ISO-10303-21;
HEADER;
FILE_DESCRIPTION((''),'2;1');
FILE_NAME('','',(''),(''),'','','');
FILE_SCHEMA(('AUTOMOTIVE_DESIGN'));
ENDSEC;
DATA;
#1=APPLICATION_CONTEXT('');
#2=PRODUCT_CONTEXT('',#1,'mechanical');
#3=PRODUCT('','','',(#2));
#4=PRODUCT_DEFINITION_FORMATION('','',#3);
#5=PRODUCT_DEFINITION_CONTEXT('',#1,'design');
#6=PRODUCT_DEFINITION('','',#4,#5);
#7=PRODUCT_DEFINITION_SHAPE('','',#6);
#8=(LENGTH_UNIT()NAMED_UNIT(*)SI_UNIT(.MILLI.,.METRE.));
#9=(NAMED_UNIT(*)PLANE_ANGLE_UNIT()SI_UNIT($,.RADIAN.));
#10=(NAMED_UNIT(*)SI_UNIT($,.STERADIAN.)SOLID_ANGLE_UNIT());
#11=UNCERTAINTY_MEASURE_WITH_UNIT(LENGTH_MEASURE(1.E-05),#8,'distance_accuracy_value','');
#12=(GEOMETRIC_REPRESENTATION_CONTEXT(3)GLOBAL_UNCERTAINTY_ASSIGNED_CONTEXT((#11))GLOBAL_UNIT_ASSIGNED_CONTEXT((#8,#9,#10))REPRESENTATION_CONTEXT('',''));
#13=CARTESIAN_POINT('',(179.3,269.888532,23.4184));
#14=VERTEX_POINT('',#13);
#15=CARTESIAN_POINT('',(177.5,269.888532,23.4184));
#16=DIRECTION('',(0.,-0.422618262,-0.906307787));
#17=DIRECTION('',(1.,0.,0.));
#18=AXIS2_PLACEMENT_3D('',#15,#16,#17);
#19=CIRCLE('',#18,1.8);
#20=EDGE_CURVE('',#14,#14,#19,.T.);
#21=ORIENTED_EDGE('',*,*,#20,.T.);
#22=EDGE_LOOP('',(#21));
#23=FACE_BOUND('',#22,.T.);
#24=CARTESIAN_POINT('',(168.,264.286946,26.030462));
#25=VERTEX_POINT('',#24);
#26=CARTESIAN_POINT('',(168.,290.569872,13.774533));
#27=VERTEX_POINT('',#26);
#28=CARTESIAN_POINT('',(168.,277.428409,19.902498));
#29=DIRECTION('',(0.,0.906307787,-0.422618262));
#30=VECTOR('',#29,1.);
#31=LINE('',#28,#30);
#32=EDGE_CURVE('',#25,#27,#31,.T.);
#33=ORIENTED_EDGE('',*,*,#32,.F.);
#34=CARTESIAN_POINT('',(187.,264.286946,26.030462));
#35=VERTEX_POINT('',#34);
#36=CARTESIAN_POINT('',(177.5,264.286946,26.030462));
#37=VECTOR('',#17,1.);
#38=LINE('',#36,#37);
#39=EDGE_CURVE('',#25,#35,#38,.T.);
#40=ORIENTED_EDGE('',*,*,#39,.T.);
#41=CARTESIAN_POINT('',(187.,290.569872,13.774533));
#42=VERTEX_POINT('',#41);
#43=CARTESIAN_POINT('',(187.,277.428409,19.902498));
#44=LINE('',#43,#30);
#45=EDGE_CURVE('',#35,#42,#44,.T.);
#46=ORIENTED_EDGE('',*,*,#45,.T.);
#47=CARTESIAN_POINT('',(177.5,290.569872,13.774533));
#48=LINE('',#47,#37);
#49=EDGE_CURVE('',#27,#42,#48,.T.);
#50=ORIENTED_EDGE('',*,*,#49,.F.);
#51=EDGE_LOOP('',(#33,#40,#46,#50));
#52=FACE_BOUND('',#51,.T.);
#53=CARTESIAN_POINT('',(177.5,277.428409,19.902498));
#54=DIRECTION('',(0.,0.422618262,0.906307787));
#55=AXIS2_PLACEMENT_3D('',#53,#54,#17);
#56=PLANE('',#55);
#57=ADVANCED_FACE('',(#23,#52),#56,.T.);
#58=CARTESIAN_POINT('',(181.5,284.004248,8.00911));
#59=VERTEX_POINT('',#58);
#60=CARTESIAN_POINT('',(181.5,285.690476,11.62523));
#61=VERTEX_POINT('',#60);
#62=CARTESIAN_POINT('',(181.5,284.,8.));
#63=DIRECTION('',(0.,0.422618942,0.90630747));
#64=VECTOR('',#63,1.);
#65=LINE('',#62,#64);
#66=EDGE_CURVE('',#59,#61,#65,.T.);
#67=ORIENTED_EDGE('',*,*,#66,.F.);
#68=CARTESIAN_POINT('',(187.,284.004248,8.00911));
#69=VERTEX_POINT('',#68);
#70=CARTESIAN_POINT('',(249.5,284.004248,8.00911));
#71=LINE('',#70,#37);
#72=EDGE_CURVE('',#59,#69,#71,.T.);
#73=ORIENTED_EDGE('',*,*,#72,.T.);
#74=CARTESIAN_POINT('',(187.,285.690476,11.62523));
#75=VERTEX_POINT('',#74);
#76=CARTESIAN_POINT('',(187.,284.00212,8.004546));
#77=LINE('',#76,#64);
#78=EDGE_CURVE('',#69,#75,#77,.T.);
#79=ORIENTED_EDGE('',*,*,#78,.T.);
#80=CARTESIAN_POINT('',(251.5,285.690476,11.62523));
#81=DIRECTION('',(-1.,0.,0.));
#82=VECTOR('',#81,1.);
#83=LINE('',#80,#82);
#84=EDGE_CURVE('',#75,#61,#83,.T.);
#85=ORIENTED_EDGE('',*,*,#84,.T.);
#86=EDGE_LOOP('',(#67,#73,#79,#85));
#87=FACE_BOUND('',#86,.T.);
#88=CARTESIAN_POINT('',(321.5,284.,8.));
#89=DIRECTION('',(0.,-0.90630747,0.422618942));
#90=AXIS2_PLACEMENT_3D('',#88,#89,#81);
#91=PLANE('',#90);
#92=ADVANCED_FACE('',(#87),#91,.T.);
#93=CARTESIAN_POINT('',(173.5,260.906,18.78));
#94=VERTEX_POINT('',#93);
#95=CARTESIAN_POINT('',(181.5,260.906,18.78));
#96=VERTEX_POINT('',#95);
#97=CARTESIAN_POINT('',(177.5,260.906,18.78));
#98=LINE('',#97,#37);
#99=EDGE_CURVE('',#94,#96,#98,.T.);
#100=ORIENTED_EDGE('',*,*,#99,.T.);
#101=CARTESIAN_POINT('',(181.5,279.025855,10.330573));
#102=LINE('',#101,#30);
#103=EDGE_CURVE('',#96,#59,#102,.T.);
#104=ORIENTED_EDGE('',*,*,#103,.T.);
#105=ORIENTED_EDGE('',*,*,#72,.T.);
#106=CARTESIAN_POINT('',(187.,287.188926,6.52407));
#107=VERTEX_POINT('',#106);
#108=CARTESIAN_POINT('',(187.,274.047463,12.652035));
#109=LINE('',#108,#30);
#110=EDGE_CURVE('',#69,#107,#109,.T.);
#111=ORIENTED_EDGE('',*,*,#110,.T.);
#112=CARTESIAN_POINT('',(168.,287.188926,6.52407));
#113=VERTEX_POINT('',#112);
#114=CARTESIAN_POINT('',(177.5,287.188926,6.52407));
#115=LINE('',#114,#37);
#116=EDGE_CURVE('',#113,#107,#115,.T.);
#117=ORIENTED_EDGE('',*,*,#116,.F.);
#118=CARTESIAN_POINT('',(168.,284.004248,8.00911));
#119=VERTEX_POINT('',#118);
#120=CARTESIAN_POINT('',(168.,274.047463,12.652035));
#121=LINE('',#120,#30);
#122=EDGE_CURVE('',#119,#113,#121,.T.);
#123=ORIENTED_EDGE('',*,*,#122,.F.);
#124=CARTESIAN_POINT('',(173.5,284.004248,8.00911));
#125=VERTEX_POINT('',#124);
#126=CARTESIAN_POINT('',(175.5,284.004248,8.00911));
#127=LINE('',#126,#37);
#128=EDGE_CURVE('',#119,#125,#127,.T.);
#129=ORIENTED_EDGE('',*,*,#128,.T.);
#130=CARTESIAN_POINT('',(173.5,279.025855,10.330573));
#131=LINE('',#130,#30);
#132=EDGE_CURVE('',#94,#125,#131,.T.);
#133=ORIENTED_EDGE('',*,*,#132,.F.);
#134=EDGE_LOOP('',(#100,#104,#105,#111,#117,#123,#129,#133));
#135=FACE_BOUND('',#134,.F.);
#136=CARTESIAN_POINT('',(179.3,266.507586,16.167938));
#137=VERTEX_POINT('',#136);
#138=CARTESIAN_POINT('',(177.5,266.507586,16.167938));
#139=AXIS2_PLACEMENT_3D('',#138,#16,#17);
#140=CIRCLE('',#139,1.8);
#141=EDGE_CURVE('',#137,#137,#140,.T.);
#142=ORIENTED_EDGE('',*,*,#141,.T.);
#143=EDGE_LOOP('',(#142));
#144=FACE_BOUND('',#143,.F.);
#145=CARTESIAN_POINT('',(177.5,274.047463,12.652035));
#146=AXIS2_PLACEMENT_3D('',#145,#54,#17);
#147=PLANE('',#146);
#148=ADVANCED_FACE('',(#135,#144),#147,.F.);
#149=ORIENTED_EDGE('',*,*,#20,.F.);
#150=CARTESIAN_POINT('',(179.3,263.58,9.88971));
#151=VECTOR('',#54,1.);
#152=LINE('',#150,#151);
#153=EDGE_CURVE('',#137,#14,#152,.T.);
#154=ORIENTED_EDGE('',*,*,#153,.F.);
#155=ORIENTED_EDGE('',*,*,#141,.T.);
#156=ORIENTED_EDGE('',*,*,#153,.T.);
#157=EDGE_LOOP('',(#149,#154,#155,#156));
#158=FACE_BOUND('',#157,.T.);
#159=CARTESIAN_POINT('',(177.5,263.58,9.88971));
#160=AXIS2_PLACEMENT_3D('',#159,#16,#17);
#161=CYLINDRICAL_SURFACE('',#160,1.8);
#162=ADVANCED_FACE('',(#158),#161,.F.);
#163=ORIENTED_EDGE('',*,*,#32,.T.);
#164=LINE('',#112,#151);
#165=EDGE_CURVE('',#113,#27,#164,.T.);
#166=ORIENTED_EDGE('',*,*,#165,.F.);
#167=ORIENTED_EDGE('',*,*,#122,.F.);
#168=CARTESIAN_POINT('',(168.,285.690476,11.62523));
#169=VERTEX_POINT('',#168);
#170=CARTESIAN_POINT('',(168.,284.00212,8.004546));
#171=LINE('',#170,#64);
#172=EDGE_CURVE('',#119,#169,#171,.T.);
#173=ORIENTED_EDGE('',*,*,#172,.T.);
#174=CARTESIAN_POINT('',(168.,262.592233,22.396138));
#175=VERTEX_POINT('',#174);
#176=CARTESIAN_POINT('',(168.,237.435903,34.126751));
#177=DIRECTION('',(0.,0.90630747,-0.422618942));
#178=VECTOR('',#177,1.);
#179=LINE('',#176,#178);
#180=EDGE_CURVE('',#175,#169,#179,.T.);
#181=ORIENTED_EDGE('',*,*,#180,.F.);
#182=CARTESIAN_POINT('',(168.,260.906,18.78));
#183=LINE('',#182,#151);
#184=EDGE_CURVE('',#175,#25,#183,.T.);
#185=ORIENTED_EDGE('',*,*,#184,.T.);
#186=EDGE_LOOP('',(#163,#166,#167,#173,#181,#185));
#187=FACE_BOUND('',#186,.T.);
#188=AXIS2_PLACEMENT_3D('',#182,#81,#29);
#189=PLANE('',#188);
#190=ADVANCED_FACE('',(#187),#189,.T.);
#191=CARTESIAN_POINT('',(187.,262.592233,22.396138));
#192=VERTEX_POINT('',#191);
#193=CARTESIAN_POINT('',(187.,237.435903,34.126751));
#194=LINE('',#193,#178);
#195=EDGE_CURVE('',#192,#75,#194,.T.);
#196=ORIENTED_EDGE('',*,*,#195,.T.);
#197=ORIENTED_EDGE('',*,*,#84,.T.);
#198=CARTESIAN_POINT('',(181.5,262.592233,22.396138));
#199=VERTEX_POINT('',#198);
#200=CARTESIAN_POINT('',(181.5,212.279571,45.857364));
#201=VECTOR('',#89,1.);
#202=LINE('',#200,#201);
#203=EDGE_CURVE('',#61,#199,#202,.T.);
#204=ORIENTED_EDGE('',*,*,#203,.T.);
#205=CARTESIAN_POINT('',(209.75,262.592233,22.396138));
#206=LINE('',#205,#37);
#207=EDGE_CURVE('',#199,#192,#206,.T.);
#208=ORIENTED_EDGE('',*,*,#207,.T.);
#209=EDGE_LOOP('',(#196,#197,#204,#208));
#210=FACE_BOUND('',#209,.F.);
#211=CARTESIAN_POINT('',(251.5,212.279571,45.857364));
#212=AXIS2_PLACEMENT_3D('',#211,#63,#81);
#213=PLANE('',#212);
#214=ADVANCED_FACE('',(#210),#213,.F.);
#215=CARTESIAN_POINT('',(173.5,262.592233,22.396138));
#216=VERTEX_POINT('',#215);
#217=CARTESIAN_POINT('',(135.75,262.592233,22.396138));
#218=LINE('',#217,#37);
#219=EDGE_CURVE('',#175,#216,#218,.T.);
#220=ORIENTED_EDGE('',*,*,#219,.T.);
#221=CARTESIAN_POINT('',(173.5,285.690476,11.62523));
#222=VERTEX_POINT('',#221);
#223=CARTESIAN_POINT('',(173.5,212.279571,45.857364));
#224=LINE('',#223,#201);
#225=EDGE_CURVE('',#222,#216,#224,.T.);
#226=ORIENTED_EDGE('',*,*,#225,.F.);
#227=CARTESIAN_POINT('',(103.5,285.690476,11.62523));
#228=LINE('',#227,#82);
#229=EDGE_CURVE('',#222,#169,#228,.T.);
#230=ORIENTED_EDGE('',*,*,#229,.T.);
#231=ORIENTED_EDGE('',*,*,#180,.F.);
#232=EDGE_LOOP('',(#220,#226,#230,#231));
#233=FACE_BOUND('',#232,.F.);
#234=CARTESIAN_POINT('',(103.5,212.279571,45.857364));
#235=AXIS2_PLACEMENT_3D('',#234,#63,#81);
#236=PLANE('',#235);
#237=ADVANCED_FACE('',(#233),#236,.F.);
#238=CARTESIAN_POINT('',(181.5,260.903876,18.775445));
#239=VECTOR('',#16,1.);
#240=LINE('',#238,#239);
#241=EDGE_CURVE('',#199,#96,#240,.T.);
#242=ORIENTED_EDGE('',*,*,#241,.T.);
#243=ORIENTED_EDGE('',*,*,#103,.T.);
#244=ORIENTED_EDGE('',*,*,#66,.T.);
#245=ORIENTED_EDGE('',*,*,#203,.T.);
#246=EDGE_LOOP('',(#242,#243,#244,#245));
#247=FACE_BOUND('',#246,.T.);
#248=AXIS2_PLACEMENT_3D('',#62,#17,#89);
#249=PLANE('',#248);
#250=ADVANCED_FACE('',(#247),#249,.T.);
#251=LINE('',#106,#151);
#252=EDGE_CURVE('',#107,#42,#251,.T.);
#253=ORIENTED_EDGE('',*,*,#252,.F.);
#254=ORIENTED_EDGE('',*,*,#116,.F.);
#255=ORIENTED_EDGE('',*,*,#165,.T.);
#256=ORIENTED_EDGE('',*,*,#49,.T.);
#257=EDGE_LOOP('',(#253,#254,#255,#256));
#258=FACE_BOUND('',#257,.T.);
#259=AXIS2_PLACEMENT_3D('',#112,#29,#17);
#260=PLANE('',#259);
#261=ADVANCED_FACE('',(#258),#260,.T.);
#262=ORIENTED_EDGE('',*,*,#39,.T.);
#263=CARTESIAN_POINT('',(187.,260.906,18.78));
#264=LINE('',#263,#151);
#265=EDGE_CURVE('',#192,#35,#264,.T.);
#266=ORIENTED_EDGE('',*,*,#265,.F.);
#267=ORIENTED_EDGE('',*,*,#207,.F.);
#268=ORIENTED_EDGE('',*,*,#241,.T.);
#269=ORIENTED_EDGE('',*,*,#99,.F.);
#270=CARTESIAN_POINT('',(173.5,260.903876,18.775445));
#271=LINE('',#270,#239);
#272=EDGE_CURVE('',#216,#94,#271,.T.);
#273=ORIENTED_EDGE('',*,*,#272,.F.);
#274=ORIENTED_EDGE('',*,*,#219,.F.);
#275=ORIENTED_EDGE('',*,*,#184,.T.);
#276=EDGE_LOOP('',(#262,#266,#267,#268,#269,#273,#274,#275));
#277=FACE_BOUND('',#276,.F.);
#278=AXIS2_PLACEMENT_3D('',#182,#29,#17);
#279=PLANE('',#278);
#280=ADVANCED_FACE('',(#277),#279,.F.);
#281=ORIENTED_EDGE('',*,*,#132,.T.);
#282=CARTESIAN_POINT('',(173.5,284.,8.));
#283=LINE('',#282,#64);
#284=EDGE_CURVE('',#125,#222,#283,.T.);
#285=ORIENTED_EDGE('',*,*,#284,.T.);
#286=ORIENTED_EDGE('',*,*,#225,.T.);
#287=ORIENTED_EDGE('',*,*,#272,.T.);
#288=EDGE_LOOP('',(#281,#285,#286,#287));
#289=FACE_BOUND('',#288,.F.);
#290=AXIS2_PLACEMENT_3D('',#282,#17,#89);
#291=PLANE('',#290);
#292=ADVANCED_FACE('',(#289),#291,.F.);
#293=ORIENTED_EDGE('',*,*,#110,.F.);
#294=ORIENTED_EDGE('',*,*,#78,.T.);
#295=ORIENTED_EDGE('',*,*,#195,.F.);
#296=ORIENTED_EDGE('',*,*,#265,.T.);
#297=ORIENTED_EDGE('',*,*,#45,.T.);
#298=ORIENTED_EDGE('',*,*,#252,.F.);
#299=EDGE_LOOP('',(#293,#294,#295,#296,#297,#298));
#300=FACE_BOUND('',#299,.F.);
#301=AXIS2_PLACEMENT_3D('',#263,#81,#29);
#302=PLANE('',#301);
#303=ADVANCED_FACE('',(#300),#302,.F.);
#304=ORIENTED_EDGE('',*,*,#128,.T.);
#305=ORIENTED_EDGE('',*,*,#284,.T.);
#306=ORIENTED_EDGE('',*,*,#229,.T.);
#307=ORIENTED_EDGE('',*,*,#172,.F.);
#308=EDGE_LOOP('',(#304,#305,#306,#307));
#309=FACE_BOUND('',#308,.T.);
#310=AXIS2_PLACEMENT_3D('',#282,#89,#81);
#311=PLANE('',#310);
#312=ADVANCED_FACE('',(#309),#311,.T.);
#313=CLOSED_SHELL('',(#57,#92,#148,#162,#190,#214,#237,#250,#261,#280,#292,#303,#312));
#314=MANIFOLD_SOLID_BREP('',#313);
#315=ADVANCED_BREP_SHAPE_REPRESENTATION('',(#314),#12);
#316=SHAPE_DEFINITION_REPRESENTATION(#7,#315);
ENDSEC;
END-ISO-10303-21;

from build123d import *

# Parameters (mm, degrees)
CYLINDER012_R               = 1.8
CYLINDER012_DEPTH           = 15
CYLINDER012_PLACEMENT_ANGLE = 25
BOX027_W                    = 140
BOX027_H                    = 162
BOX027_DEPTH                = 4
BOX027_ROLL_ANGLE           = 25.000043
BOX027_PLACEMENT_ANGLE      = 180
BOX026_W                    = 140
BOX026_H                    = 162
BOX026_DEPTH                = 4
BOX026_ROLL_ANGLE           = 25.000043
BOX026_PLACEMENT_ANGLE      = 180
BOX025_W                    = 19
BOX025_H                    = 29
BOX025_DEPTH                = 8
BOX025_PLACEMENT_ANGLE      = 25


with BuildPart() as m2bolt:
    # Cylinder012 → Cylinder012 (new body)
    with BuildSketch(Plane.XY):
        Circle(CYLINDER012_R)
    extrude(amount=CYLINDER012_DEPTH)


with BuildPart() as m2bolt_1:
    # Cylinder012 placement: moved
    add(m2bolt.part.moved(Location((177.5, 263.58, 9.88971))).rotate(Axis((177.5, 263.58, 9.88971), (-1, 0, 0)), CYLINDER012_PLACEMENT_ANGLE))


with BuildPart() as solar_panel008:
    # Box027 → Box027 (new body)
    with BuildSketch(Plane.XY):
        with Locations((70, 81)):
            Rectangle(BOX027_W, BOX027_H)
    extrude(amount=BOX027_DEPTH)


with BuildPart() as solar_panel008_1:
    # Box027 roll: moved
    add(solar_panel008.part.rotate(Axis((0, 0, 0), (1, 0, 0)), BOX027_ROLL_ANGLE))


with BuildPart() as solar_panel008_2:
    # Box027 placement: moved
    add(solar_panel008_1.part.moved(Location((173.5, 284, 8))).rotate(Axis((173.5, 284, 8), (0, 0, 1)), BOX027_PLACEMENT_ANGLE))


with BuildPart() as solarpanels001:
    # Box026 → Box026 (new body)
    with BuildSketch(Plane.XY):
        with Locations((70, 81)):
            Rectangle(BOX026_W, BOX026_H)
    extrude(amount=BOX026_DEPTH)


with BuildPart() as solarpanels001_1:
    # Box026 roll: moved
    add(solarpanels001.part.rotate(Axis((0, 0, 0), (1, 0, 0)), BOX026_ROLL_ANGLE))


with BuildPart() as solarpanels001_2:
    # Box026 placement: moved
    add(solarpanels001_1.part.moved(Location((321.5, 284, 8))).rotate(Axis((321.5, 284, 8), (0, 0, 1)), BOX026_PLACEMENT_ANGLE))

    # Fusion005: union solar Panel008
    add(solar_panel008_2.part)


with BuildPart() as topmid:
    # Box025 → Box025 (new body)
    with BuildSketch(Plane.XY):
        with Locations((9.5, 14.5)):
            Rectangle(BOX025_W, BOX025_H)
    extrude(amount=BOX025_DEPTH)


with BuildPart() as topmid_1:
    # Box025 placement: moved
    add(topmid.part.moved(Location((168, 260.906, 18.78))).rotate(Axis((168, 260.906, 18.78), (-1, 0, 0)), BOX025_PLACEMENT_ANGLE))

    # Cut013: cut solarPanels001
    add(solarpanels001_2.part, mode=Mode.SUBTRACT)

    # Cut014: cut m2Bolt
    add(m2bolt_1.part, mode=Mode.SUBTRACT)


solid = topmid_1.part
